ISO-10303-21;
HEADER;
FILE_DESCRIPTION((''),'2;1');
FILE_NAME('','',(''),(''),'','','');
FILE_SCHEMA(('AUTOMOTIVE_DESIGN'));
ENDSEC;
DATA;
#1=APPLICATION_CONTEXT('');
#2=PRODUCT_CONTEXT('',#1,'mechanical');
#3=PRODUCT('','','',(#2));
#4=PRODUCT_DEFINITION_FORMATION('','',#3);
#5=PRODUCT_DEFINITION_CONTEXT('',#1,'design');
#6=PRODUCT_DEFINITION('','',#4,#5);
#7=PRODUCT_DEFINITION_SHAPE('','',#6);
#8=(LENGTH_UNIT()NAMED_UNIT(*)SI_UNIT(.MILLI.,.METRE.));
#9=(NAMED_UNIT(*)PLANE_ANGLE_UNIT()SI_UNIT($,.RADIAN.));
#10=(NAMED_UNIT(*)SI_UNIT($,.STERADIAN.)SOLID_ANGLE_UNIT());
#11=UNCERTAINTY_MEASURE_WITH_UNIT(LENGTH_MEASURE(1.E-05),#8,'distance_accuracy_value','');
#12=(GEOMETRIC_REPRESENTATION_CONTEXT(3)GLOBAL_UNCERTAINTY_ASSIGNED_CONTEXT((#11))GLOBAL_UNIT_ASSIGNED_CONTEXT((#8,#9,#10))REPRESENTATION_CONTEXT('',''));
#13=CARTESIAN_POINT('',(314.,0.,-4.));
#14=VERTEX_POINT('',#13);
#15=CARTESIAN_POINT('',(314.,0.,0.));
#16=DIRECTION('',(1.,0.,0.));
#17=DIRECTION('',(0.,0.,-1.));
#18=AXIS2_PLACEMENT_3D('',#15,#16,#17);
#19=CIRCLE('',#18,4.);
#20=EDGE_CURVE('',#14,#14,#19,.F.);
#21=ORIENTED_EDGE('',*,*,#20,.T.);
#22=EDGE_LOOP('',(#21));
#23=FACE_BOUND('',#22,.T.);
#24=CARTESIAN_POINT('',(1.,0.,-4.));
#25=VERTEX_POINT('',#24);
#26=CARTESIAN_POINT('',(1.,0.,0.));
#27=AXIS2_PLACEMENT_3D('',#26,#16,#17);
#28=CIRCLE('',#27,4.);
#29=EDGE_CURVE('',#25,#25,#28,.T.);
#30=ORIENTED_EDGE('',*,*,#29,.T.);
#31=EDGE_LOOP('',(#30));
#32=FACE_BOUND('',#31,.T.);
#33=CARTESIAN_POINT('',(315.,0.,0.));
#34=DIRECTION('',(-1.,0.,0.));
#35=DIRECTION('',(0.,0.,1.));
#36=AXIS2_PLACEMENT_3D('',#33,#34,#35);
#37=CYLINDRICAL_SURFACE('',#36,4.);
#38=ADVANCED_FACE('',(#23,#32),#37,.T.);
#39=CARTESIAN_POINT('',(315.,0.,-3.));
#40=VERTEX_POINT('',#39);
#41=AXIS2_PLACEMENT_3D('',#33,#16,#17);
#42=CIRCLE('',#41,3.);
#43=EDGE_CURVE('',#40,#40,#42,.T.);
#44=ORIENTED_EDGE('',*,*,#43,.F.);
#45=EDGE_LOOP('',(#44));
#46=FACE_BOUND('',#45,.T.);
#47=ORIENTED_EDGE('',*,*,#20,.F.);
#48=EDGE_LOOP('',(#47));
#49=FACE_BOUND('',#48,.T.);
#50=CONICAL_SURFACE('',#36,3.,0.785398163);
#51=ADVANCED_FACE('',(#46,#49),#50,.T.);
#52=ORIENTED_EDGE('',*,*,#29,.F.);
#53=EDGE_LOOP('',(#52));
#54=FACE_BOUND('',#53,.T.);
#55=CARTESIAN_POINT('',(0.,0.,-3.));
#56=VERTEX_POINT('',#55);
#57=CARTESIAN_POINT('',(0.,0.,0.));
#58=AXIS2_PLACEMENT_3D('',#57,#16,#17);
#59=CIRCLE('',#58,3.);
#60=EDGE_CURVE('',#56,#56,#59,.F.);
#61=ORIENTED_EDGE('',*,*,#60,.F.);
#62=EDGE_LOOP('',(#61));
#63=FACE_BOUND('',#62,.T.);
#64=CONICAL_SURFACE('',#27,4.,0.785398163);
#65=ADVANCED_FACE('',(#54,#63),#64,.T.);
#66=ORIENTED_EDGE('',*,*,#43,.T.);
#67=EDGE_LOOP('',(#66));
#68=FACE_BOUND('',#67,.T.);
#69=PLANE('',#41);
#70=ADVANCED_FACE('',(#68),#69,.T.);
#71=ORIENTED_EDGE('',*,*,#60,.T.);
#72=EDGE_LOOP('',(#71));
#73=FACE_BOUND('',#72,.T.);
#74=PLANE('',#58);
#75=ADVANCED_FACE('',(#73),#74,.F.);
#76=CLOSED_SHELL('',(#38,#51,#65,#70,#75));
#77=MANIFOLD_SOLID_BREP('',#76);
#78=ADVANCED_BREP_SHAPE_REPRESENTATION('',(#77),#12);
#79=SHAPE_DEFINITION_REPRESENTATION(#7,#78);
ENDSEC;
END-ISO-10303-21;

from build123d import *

# Parameters (mm, degrees)
SKETCH_1_R      = 4
EXTRUDE_1_DEPTH = 315
CHAMFER_1_SIZE  = 1


with BuildPart() as part:
    # Эскиз1 → Бобышка-Вытянуть1 (new body)
    with BuildSketch(Plane(origin=(0, 0, 0), x_dir=(0, 0, -1), z_dir=(1, 0, 0))):
        Circle(SKETCH_1_R)
    extrude(amount=EXTRUDE_1_DEPTH)

    # Фаска1
    chamfer_1_edges = [part.edges().sort_by_distance(p)[0] for p in [
        (0, 0, 4),
        (315, 0, 4),
    ]]
    chamfer(chamfer_1_edges, length=CHAMFER_1_SIZE)


solid = part.part
